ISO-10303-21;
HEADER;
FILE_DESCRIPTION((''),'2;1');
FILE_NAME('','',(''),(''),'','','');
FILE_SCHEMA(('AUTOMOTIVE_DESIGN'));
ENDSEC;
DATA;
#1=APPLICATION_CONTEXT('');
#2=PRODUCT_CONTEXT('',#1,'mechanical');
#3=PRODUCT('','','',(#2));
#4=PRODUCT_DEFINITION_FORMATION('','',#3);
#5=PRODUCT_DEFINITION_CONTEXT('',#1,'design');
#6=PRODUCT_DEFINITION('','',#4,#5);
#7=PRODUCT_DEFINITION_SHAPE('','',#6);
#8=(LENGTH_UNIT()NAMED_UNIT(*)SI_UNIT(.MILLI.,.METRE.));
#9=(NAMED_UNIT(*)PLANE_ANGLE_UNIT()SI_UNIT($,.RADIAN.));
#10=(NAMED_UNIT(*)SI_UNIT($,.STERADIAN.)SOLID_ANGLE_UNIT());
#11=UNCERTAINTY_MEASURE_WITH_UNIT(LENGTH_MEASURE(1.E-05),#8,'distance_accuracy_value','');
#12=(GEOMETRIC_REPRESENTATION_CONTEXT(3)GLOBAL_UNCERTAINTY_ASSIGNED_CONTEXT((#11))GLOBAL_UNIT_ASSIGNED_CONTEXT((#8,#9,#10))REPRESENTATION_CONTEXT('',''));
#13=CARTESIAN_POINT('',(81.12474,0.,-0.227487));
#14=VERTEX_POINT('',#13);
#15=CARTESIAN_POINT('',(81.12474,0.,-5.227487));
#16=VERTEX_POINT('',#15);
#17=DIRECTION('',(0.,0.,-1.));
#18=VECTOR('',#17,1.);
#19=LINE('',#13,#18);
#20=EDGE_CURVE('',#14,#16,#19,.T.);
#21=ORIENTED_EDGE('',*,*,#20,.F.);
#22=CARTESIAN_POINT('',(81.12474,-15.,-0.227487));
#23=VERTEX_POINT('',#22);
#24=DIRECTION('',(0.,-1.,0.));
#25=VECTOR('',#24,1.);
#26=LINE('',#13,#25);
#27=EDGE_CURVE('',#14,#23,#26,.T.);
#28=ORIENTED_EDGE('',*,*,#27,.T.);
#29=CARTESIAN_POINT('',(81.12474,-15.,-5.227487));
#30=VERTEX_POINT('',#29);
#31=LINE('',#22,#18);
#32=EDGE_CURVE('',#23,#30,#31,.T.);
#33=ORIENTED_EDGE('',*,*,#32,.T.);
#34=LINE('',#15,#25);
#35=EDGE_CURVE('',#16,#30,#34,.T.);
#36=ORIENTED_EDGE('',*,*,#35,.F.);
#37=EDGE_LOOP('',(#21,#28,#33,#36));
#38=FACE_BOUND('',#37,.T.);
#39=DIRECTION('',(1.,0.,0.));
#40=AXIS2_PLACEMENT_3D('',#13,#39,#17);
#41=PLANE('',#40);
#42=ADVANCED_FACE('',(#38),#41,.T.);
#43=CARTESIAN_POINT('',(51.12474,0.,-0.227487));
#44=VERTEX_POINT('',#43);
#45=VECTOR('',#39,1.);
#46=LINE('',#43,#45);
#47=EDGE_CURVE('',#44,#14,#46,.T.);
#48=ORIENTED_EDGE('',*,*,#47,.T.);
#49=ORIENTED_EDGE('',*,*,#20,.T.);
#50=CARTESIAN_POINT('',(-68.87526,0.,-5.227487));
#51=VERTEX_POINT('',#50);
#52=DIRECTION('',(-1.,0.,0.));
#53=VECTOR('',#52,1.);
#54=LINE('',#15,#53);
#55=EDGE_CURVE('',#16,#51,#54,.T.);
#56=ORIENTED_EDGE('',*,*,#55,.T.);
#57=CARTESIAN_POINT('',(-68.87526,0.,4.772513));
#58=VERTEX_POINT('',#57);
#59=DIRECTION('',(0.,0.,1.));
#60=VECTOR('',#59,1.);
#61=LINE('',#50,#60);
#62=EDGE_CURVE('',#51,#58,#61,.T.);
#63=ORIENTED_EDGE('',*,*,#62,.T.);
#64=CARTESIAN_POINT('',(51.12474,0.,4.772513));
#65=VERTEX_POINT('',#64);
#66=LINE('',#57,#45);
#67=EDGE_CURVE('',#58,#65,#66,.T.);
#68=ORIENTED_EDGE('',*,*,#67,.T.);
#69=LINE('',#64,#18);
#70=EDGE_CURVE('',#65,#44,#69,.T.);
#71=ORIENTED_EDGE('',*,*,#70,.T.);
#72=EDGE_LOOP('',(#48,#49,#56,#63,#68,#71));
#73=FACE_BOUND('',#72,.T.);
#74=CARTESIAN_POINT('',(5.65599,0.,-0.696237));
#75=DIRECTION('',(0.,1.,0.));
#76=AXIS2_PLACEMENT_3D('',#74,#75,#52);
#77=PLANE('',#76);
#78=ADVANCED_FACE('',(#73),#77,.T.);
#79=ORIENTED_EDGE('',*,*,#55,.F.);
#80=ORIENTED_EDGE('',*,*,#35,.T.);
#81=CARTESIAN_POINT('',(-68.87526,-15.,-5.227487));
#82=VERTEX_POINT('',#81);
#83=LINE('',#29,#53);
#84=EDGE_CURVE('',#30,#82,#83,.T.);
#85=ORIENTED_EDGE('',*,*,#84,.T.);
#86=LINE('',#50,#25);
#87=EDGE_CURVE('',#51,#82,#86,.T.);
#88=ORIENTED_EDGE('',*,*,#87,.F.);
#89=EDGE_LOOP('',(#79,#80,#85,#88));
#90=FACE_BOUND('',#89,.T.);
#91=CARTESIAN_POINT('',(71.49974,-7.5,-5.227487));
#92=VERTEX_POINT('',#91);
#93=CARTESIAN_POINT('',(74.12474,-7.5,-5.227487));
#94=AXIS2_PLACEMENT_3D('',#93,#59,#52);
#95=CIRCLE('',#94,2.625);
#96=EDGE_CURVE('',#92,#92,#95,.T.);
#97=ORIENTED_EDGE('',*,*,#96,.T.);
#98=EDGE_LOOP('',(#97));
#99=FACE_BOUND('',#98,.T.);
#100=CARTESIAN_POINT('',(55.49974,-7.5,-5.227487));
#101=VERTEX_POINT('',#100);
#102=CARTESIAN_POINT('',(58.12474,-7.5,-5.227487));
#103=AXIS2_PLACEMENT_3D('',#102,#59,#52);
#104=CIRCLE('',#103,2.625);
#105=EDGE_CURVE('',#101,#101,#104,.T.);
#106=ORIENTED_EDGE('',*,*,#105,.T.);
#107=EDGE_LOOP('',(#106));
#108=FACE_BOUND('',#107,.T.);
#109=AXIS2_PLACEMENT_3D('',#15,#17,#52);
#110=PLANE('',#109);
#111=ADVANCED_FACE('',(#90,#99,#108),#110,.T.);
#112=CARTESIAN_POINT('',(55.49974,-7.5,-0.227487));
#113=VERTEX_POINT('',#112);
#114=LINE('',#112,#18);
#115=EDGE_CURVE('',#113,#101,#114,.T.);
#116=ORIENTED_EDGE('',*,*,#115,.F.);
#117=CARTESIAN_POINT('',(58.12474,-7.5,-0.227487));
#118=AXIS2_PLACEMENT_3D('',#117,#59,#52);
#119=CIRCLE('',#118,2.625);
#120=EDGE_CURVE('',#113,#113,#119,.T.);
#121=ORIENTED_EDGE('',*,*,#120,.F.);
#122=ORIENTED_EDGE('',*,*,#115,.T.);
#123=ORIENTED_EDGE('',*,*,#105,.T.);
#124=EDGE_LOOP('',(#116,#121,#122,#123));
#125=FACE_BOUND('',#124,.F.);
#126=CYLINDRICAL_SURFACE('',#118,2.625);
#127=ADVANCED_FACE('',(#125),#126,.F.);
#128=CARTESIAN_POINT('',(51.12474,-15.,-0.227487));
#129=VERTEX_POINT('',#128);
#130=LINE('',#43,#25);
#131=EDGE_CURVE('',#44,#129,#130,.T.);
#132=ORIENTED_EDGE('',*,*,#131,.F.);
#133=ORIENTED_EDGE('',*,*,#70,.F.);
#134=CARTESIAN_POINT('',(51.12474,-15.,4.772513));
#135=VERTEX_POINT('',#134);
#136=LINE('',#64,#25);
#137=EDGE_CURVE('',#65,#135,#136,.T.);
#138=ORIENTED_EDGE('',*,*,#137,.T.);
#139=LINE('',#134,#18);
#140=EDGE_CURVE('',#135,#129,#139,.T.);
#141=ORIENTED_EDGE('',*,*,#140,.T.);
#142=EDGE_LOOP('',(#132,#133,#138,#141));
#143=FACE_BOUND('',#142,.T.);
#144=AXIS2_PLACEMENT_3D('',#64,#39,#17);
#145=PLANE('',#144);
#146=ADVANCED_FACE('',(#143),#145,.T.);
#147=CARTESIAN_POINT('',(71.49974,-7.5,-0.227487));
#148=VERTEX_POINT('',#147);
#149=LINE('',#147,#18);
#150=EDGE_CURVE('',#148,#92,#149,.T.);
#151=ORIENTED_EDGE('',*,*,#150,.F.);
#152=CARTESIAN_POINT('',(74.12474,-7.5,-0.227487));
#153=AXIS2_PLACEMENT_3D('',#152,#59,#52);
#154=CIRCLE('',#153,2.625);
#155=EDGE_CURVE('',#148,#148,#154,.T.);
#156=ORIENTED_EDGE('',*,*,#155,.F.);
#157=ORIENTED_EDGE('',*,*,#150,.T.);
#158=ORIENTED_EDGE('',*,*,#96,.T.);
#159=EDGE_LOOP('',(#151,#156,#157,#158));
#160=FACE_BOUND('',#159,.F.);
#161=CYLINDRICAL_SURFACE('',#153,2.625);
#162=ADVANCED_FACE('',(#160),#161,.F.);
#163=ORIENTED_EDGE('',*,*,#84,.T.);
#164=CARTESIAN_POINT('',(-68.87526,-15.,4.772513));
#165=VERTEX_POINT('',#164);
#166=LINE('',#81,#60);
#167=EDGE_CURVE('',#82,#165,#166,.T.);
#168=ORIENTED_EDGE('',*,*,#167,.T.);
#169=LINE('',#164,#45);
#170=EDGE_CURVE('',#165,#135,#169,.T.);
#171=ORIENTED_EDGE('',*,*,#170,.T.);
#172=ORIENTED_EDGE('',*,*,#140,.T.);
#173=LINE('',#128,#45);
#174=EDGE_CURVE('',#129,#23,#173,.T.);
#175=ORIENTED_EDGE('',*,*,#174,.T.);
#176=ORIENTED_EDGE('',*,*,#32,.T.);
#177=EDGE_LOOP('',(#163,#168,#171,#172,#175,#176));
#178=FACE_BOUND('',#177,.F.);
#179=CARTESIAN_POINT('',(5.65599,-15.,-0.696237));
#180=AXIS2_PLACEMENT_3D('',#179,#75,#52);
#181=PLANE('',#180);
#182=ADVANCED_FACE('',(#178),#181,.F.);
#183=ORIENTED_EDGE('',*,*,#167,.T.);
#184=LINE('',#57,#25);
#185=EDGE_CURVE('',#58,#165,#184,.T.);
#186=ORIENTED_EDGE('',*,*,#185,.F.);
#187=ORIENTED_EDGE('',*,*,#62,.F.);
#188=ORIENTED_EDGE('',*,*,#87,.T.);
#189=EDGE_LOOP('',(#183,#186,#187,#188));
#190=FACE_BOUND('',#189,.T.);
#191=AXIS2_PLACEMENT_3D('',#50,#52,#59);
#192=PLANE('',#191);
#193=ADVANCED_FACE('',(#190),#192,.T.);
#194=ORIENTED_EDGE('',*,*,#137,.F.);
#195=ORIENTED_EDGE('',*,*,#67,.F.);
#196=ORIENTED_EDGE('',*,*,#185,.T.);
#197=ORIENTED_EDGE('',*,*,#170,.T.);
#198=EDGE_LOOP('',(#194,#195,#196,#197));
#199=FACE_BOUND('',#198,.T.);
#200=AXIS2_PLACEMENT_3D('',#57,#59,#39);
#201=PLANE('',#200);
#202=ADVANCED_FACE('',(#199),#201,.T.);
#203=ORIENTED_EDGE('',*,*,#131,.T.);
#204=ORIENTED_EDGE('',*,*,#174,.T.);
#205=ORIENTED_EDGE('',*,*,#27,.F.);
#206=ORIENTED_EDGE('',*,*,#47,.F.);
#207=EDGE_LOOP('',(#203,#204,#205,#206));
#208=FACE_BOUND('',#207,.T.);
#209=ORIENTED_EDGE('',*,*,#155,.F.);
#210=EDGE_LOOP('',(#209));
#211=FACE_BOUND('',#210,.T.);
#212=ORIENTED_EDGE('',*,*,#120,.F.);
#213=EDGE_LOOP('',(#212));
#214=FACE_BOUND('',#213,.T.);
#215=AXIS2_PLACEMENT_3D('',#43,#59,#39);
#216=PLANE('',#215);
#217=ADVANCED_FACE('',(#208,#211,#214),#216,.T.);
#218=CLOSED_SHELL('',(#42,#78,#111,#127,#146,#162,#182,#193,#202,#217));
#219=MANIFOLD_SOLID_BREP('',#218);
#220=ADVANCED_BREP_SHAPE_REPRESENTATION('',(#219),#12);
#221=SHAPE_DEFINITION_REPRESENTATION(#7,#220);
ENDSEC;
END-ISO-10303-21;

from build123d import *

# Parameters (mm, degrees)
PAD_DEPTH    = 15
SKETCH001_R  = 2.625
POCKET_DEPTH = 5


with BuildPart() as part:
    # Sketch → Pad (new body)
    with BuildSketch(Plane.XZ):
        Polygon((-68.87526, -5.227487), (-68.87526, 4.772513), (51.12474, 4.772513), (51.12474, -0.227487), (81.12474, -0.227487), (81.12474, -5.227487), align=None)
    extrude(amount=PAD_DEPTH)

    # Sketch001 (on Face4 of Pad) → Pocket (cut)
    with BuildSketch(Plane(origin=(0, 0, -0.227487), x_dir=(-1, 0, 0), z_dir=(0, 0, 1))):
        with Locations((-74.12474, 7.5)):
            Circle(SKETCH001_R)
        with Locations((-58.12474, 7.5)):
            Circle(SKETCH001_R)
    extrude(amount=-POCKET_DEPTH, mode=Mode.SUBTRACT)


solid = part.part
